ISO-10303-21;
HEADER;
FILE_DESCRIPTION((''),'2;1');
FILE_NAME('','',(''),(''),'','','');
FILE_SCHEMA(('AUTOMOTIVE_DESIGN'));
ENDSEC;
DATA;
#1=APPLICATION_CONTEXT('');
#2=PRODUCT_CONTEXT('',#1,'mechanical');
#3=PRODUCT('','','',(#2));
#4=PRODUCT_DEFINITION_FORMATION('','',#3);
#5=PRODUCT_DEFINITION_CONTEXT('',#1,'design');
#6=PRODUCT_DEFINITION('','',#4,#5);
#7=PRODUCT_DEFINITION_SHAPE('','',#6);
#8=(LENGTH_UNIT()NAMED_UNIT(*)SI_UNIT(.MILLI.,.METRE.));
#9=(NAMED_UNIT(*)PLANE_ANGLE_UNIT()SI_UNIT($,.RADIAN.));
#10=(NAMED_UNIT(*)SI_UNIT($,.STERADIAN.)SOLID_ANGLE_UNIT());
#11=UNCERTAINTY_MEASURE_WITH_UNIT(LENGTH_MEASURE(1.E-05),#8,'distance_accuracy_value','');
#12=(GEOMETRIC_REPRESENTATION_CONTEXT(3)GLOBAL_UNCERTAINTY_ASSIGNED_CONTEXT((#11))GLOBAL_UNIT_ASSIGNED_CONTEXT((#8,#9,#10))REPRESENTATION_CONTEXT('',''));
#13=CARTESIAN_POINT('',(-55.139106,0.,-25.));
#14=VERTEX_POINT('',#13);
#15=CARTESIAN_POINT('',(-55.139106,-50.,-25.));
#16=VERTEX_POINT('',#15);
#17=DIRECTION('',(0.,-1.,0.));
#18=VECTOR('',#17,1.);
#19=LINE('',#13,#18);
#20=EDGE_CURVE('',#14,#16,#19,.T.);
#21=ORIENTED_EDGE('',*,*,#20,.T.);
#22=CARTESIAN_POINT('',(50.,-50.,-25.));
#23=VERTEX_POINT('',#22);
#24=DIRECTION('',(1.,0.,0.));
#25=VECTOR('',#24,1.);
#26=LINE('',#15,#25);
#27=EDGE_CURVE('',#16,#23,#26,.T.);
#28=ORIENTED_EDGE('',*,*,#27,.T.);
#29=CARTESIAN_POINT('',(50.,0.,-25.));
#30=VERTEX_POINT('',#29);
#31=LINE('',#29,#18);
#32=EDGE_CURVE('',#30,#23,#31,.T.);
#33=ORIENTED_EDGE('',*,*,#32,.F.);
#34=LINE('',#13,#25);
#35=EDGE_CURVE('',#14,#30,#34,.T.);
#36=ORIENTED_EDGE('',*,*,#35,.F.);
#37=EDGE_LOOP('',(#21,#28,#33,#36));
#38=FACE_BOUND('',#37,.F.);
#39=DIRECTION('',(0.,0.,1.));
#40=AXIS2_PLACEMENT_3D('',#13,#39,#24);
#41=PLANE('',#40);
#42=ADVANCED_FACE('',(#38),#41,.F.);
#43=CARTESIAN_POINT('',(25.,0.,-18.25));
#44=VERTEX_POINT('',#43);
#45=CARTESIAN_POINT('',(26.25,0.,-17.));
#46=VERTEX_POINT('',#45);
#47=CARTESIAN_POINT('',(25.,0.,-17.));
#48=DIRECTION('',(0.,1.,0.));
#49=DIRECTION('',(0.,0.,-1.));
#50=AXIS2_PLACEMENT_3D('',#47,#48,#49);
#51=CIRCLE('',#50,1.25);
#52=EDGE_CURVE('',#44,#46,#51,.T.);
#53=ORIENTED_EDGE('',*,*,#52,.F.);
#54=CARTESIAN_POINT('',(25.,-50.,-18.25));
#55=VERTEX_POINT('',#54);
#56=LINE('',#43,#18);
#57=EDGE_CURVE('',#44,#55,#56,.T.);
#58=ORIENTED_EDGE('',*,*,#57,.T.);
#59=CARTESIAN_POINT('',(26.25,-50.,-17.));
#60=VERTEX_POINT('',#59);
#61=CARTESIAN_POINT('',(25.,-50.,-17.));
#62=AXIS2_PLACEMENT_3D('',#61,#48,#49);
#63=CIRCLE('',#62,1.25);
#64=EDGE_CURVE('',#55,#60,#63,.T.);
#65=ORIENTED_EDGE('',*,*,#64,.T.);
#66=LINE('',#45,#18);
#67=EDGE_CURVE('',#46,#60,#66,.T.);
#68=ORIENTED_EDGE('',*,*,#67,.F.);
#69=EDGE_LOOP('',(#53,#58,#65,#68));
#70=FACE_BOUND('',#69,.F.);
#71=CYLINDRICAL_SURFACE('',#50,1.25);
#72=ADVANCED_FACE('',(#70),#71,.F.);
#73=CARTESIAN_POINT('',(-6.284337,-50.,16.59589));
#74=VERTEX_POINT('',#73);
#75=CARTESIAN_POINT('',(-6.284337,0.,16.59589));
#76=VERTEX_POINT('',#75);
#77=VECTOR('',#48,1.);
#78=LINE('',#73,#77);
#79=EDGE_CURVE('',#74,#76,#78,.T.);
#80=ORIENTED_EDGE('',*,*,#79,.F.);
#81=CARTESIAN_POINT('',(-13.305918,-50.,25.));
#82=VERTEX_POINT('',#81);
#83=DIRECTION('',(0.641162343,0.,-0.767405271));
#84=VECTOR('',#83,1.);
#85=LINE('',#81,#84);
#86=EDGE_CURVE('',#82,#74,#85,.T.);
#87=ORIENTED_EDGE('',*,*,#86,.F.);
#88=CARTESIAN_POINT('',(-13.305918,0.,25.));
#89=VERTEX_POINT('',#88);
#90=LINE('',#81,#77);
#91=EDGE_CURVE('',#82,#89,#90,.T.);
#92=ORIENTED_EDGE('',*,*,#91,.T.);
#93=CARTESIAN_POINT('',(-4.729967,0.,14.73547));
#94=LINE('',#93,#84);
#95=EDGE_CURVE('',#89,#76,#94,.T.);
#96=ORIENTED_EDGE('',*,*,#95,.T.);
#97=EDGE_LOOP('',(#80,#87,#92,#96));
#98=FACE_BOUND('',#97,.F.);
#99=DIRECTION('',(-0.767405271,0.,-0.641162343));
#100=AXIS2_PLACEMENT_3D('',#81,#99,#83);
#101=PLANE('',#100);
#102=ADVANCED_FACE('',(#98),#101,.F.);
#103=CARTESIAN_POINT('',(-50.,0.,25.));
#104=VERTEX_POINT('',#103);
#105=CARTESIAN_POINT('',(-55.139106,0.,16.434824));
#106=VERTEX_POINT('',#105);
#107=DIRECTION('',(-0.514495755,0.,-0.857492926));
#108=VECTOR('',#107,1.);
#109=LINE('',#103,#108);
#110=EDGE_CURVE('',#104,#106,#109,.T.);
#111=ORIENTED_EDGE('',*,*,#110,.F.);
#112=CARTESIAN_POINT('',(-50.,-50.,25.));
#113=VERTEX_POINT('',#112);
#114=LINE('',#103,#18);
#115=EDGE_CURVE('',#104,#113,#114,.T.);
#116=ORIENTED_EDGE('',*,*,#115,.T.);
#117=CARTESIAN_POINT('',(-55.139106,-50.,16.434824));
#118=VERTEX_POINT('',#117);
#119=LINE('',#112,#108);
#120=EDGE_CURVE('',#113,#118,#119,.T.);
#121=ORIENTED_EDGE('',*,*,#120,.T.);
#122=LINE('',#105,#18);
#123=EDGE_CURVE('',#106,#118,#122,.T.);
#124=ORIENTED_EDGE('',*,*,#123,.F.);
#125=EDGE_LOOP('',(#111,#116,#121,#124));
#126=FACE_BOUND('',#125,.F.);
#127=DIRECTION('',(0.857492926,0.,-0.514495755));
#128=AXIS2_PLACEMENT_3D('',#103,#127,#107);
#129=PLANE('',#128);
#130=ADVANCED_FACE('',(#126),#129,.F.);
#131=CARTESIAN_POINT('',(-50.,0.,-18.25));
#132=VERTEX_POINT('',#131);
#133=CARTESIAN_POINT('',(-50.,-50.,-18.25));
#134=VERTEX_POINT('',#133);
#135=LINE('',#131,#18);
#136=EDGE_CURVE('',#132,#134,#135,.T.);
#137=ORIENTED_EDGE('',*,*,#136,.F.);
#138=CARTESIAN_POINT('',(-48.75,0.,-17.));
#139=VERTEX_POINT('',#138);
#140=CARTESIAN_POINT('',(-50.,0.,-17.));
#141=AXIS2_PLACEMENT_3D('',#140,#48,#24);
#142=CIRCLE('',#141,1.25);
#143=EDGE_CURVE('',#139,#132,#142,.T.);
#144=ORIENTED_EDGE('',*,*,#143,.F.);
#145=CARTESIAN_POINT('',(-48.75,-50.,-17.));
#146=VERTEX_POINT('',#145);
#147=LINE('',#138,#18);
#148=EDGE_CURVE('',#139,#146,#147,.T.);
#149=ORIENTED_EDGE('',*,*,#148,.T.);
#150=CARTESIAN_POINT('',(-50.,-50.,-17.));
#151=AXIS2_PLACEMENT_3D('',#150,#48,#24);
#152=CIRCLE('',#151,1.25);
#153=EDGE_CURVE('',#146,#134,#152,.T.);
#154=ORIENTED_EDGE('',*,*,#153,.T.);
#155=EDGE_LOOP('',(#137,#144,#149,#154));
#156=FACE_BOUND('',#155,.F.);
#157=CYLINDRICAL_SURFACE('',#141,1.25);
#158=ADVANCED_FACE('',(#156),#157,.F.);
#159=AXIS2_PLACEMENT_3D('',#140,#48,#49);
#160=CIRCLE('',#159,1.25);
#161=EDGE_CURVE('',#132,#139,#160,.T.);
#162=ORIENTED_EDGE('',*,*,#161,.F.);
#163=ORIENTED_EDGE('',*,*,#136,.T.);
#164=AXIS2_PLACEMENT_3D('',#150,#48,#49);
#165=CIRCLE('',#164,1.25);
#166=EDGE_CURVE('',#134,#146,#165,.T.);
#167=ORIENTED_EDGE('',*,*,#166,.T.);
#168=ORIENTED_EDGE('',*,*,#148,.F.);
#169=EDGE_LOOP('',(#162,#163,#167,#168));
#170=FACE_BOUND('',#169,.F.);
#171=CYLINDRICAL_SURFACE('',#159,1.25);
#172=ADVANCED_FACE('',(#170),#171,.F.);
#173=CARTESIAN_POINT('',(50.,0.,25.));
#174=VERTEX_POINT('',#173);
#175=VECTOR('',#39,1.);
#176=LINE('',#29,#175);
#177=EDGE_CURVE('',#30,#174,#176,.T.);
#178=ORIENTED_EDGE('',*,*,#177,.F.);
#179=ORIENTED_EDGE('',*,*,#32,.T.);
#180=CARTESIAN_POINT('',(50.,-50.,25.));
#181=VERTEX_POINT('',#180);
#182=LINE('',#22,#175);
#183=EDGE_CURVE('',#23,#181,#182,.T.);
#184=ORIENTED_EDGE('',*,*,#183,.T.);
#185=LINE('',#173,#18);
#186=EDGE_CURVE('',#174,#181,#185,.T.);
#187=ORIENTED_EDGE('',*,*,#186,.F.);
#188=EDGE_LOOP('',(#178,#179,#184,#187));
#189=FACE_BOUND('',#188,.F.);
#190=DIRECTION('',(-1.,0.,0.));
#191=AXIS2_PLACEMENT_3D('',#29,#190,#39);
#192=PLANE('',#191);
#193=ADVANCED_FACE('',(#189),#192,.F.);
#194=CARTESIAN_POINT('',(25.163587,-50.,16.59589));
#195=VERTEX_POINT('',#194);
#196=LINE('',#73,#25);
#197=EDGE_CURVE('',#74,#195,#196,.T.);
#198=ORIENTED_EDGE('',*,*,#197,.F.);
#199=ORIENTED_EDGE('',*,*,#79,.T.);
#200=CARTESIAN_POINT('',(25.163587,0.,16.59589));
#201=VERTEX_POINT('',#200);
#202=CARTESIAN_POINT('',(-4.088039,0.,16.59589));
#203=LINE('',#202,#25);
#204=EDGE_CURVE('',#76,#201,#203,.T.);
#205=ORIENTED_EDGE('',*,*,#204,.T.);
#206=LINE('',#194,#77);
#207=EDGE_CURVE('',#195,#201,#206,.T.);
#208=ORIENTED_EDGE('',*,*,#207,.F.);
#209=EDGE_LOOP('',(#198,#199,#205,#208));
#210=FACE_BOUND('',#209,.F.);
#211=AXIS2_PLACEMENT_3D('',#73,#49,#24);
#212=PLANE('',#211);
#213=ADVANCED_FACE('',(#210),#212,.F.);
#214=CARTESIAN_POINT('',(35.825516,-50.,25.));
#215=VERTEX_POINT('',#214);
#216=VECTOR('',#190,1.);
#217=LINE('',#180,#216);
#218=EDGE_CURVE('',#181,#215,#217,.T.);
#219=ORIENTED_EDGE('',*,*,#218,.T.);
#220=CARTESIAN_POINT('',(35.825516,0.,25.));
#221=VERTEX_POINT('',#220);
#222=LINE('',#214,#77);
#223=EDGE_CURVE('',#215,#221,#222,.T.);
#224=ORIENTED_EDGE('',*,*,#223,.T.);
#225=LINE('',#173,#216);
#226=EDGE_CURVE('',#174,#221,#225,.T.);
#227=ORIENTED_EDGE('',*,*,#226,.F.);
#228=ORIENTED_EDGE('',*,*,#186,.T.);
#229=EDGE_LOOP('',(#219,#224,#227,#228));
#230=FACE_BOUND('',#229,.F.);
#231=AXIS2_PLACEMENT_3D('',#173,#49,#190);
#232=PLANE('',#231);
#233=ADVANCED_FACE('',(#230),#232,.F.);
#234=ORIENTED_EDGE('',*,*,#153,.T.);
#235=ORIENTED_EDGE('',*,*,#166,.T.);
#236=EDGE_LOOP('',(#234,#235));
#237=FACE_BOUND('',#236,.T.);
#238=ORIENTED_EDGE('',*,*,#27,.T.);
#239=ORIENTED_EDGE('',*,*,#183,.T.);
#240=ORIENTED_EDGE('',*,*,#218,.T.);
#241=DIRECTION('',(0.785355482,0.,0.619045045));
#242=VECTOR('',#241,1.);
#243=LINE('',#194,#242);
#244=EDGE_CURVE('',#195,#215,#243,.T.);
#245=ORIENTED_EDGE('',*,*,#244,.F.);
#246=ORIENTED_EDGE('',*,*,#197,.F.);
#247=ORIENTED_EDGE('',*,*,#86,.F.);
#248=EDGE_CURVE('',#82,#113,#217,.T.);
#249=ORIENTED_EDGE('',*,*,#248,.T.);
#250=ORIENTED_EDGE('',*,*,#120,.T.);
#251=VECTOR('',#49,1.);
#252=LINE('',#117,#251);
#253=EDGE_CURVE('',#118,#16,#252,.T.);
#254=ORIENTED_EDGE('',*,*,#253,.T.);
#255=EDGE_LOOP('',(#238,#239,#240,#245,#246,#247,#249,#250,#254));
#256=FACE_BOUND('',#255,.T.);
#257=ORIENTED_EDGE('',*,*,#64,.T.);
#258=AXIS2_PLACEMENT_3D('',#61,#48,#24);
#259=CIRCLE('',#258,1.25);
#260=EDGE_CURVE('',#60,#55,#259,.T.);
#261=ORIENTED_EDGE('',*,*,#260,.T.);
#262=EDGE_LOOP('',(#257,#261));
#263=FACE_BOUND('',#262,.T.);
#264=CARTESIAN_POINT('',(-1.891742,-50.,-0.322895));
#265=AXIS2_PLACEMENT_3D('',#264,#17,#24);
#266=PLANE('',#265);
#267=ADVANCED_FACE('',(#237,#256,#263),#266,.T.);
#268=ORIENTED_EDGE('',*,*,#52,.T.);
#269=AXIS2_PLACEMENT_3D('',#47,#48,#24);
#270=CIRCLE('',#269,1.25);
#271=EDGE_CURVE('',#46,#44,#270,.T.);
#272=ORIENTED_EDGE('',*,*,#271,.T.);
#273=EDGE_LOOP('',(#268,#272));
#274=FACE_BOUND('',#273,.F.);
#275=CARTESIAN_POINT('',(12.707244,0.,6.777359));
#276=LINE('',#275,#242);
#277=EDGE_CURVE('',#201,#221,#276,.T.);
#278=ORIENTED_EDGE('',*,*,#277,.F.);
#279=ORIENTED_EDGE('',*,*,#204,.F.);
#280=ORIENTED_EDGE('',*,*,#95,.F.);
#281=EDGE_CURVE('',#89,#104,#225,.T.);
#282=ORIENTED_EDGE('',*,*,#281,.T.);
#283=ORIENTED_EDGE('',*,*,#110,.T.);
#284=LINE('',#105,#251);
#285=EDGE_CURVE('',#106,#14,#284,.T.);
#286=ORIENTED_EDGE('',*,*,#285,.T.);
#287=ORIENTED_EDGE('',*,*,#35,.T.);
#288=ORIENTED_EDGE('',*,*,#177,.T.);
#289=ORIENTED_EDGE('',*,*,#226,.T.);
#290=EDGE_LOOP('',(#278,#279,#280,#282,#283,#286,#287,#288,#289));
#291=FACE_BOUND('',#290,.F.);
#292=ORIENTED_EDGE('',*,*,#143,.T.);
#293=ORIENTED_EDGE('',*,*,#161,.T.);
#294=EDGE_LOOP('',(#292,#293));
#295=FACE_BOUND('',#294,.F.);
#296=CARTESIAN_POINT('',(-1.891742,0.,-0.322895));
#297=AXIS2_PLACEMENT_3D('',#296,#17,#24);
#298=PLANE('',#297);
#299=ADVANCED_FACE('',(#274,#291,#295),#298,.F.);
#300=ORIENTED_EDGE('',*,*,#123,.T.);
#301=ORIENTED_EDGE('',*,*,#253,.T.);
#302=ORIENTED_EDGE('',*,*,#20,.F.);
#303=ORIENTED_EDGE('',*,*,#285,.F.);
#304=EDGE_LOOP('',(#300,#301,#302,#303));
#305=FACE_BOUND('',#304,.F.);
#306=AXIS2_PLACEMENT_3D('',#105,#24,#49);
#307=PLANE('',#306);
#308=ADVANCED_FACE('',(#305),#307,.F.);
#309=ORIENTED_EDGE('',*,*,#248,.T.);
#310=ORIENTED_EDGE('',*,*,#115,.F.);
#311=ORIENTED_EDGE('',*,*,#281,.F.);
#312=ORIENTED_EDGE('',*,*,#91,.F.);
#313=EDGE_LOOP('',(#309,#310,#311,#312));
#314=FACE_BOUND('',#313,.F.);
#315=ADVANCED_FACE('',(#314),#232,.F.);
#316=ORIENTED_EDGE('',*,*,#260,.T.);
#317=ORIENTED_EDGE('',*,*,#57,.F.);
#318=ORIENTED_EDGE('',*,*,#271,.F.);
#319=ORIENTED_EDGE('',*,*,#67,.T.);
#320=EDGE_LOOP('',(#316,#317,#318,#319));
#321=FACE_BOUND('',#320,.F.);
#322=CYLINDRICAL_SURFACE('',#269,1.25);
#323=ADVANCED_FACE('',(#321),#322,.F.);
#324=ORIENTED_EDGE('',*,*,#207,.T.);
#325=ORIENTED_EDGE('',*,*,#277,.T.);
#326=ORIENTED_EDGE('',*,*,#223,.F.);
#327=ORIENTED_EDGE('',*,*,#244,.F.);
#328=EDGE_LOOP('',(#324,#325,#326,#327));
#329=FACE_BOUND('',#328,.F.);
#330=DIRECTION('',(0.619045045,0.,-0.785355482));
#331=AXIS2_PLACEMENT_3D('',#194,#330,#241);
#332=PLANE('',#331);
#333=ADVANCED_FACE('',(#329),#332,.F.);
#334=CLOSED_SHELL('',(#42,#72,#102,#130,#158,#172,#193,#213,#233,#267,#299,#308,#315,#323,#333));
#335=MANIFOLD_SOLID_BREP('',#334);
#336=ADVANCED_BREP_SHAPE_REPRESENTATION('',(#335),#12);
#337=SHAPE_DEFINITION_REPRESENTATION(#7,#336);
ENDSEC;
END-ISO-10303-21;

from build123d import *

# Parameters (mm, degrees)
F1_DEPTH = 50
F3_DEPTH = 50.001


with BuildPart() as f1:
    # F0 (on Front) → F1 (new body)
    with BuildSketch(Plane.XZ):
        Polygon((50, -25), (50, 25), (-50, 25), (-55.139105767, 16.4348237216), (-55.139105767, -25), (-50, -25), (25, -25), align=None)
        with BuildLine():
            ThreePointArc((-50, -18.25), (-50.8838834765, -16.1161165235), (-48.75, -17))
            ThreePointArc((-48.75, -17), (-49.1161165235, -17.8838834765), (-50, -18.25))
        make_face(mode=Mode.SUBTRACT)
        with BuildLine():
            ThreePointArc((26.25, -17), (25.8838834765, -17.8838834765), (25, -18.25))
            ThreePointArc((25, -18.25), (24.1161165235, -16.1161165235), (26.25, -17))
        make_face(mode=Mode.SUBTRACT)
    extrude(amount=F1_DEPTH)

    # F2 (on face) → F3 (cut, through all)
    with BuildSketch(Plane.XZ.offset(50)):
        Polygon((-13.3059184471, 25), (-6.2843365967, 16.5958899073), (25.1635871455, 16.5958899073), (35.8255155264, 25), align=None)
    extrude(amount=-F3_DEPTH, mode=Mode.SUBTRACT)


solid = f1.part
